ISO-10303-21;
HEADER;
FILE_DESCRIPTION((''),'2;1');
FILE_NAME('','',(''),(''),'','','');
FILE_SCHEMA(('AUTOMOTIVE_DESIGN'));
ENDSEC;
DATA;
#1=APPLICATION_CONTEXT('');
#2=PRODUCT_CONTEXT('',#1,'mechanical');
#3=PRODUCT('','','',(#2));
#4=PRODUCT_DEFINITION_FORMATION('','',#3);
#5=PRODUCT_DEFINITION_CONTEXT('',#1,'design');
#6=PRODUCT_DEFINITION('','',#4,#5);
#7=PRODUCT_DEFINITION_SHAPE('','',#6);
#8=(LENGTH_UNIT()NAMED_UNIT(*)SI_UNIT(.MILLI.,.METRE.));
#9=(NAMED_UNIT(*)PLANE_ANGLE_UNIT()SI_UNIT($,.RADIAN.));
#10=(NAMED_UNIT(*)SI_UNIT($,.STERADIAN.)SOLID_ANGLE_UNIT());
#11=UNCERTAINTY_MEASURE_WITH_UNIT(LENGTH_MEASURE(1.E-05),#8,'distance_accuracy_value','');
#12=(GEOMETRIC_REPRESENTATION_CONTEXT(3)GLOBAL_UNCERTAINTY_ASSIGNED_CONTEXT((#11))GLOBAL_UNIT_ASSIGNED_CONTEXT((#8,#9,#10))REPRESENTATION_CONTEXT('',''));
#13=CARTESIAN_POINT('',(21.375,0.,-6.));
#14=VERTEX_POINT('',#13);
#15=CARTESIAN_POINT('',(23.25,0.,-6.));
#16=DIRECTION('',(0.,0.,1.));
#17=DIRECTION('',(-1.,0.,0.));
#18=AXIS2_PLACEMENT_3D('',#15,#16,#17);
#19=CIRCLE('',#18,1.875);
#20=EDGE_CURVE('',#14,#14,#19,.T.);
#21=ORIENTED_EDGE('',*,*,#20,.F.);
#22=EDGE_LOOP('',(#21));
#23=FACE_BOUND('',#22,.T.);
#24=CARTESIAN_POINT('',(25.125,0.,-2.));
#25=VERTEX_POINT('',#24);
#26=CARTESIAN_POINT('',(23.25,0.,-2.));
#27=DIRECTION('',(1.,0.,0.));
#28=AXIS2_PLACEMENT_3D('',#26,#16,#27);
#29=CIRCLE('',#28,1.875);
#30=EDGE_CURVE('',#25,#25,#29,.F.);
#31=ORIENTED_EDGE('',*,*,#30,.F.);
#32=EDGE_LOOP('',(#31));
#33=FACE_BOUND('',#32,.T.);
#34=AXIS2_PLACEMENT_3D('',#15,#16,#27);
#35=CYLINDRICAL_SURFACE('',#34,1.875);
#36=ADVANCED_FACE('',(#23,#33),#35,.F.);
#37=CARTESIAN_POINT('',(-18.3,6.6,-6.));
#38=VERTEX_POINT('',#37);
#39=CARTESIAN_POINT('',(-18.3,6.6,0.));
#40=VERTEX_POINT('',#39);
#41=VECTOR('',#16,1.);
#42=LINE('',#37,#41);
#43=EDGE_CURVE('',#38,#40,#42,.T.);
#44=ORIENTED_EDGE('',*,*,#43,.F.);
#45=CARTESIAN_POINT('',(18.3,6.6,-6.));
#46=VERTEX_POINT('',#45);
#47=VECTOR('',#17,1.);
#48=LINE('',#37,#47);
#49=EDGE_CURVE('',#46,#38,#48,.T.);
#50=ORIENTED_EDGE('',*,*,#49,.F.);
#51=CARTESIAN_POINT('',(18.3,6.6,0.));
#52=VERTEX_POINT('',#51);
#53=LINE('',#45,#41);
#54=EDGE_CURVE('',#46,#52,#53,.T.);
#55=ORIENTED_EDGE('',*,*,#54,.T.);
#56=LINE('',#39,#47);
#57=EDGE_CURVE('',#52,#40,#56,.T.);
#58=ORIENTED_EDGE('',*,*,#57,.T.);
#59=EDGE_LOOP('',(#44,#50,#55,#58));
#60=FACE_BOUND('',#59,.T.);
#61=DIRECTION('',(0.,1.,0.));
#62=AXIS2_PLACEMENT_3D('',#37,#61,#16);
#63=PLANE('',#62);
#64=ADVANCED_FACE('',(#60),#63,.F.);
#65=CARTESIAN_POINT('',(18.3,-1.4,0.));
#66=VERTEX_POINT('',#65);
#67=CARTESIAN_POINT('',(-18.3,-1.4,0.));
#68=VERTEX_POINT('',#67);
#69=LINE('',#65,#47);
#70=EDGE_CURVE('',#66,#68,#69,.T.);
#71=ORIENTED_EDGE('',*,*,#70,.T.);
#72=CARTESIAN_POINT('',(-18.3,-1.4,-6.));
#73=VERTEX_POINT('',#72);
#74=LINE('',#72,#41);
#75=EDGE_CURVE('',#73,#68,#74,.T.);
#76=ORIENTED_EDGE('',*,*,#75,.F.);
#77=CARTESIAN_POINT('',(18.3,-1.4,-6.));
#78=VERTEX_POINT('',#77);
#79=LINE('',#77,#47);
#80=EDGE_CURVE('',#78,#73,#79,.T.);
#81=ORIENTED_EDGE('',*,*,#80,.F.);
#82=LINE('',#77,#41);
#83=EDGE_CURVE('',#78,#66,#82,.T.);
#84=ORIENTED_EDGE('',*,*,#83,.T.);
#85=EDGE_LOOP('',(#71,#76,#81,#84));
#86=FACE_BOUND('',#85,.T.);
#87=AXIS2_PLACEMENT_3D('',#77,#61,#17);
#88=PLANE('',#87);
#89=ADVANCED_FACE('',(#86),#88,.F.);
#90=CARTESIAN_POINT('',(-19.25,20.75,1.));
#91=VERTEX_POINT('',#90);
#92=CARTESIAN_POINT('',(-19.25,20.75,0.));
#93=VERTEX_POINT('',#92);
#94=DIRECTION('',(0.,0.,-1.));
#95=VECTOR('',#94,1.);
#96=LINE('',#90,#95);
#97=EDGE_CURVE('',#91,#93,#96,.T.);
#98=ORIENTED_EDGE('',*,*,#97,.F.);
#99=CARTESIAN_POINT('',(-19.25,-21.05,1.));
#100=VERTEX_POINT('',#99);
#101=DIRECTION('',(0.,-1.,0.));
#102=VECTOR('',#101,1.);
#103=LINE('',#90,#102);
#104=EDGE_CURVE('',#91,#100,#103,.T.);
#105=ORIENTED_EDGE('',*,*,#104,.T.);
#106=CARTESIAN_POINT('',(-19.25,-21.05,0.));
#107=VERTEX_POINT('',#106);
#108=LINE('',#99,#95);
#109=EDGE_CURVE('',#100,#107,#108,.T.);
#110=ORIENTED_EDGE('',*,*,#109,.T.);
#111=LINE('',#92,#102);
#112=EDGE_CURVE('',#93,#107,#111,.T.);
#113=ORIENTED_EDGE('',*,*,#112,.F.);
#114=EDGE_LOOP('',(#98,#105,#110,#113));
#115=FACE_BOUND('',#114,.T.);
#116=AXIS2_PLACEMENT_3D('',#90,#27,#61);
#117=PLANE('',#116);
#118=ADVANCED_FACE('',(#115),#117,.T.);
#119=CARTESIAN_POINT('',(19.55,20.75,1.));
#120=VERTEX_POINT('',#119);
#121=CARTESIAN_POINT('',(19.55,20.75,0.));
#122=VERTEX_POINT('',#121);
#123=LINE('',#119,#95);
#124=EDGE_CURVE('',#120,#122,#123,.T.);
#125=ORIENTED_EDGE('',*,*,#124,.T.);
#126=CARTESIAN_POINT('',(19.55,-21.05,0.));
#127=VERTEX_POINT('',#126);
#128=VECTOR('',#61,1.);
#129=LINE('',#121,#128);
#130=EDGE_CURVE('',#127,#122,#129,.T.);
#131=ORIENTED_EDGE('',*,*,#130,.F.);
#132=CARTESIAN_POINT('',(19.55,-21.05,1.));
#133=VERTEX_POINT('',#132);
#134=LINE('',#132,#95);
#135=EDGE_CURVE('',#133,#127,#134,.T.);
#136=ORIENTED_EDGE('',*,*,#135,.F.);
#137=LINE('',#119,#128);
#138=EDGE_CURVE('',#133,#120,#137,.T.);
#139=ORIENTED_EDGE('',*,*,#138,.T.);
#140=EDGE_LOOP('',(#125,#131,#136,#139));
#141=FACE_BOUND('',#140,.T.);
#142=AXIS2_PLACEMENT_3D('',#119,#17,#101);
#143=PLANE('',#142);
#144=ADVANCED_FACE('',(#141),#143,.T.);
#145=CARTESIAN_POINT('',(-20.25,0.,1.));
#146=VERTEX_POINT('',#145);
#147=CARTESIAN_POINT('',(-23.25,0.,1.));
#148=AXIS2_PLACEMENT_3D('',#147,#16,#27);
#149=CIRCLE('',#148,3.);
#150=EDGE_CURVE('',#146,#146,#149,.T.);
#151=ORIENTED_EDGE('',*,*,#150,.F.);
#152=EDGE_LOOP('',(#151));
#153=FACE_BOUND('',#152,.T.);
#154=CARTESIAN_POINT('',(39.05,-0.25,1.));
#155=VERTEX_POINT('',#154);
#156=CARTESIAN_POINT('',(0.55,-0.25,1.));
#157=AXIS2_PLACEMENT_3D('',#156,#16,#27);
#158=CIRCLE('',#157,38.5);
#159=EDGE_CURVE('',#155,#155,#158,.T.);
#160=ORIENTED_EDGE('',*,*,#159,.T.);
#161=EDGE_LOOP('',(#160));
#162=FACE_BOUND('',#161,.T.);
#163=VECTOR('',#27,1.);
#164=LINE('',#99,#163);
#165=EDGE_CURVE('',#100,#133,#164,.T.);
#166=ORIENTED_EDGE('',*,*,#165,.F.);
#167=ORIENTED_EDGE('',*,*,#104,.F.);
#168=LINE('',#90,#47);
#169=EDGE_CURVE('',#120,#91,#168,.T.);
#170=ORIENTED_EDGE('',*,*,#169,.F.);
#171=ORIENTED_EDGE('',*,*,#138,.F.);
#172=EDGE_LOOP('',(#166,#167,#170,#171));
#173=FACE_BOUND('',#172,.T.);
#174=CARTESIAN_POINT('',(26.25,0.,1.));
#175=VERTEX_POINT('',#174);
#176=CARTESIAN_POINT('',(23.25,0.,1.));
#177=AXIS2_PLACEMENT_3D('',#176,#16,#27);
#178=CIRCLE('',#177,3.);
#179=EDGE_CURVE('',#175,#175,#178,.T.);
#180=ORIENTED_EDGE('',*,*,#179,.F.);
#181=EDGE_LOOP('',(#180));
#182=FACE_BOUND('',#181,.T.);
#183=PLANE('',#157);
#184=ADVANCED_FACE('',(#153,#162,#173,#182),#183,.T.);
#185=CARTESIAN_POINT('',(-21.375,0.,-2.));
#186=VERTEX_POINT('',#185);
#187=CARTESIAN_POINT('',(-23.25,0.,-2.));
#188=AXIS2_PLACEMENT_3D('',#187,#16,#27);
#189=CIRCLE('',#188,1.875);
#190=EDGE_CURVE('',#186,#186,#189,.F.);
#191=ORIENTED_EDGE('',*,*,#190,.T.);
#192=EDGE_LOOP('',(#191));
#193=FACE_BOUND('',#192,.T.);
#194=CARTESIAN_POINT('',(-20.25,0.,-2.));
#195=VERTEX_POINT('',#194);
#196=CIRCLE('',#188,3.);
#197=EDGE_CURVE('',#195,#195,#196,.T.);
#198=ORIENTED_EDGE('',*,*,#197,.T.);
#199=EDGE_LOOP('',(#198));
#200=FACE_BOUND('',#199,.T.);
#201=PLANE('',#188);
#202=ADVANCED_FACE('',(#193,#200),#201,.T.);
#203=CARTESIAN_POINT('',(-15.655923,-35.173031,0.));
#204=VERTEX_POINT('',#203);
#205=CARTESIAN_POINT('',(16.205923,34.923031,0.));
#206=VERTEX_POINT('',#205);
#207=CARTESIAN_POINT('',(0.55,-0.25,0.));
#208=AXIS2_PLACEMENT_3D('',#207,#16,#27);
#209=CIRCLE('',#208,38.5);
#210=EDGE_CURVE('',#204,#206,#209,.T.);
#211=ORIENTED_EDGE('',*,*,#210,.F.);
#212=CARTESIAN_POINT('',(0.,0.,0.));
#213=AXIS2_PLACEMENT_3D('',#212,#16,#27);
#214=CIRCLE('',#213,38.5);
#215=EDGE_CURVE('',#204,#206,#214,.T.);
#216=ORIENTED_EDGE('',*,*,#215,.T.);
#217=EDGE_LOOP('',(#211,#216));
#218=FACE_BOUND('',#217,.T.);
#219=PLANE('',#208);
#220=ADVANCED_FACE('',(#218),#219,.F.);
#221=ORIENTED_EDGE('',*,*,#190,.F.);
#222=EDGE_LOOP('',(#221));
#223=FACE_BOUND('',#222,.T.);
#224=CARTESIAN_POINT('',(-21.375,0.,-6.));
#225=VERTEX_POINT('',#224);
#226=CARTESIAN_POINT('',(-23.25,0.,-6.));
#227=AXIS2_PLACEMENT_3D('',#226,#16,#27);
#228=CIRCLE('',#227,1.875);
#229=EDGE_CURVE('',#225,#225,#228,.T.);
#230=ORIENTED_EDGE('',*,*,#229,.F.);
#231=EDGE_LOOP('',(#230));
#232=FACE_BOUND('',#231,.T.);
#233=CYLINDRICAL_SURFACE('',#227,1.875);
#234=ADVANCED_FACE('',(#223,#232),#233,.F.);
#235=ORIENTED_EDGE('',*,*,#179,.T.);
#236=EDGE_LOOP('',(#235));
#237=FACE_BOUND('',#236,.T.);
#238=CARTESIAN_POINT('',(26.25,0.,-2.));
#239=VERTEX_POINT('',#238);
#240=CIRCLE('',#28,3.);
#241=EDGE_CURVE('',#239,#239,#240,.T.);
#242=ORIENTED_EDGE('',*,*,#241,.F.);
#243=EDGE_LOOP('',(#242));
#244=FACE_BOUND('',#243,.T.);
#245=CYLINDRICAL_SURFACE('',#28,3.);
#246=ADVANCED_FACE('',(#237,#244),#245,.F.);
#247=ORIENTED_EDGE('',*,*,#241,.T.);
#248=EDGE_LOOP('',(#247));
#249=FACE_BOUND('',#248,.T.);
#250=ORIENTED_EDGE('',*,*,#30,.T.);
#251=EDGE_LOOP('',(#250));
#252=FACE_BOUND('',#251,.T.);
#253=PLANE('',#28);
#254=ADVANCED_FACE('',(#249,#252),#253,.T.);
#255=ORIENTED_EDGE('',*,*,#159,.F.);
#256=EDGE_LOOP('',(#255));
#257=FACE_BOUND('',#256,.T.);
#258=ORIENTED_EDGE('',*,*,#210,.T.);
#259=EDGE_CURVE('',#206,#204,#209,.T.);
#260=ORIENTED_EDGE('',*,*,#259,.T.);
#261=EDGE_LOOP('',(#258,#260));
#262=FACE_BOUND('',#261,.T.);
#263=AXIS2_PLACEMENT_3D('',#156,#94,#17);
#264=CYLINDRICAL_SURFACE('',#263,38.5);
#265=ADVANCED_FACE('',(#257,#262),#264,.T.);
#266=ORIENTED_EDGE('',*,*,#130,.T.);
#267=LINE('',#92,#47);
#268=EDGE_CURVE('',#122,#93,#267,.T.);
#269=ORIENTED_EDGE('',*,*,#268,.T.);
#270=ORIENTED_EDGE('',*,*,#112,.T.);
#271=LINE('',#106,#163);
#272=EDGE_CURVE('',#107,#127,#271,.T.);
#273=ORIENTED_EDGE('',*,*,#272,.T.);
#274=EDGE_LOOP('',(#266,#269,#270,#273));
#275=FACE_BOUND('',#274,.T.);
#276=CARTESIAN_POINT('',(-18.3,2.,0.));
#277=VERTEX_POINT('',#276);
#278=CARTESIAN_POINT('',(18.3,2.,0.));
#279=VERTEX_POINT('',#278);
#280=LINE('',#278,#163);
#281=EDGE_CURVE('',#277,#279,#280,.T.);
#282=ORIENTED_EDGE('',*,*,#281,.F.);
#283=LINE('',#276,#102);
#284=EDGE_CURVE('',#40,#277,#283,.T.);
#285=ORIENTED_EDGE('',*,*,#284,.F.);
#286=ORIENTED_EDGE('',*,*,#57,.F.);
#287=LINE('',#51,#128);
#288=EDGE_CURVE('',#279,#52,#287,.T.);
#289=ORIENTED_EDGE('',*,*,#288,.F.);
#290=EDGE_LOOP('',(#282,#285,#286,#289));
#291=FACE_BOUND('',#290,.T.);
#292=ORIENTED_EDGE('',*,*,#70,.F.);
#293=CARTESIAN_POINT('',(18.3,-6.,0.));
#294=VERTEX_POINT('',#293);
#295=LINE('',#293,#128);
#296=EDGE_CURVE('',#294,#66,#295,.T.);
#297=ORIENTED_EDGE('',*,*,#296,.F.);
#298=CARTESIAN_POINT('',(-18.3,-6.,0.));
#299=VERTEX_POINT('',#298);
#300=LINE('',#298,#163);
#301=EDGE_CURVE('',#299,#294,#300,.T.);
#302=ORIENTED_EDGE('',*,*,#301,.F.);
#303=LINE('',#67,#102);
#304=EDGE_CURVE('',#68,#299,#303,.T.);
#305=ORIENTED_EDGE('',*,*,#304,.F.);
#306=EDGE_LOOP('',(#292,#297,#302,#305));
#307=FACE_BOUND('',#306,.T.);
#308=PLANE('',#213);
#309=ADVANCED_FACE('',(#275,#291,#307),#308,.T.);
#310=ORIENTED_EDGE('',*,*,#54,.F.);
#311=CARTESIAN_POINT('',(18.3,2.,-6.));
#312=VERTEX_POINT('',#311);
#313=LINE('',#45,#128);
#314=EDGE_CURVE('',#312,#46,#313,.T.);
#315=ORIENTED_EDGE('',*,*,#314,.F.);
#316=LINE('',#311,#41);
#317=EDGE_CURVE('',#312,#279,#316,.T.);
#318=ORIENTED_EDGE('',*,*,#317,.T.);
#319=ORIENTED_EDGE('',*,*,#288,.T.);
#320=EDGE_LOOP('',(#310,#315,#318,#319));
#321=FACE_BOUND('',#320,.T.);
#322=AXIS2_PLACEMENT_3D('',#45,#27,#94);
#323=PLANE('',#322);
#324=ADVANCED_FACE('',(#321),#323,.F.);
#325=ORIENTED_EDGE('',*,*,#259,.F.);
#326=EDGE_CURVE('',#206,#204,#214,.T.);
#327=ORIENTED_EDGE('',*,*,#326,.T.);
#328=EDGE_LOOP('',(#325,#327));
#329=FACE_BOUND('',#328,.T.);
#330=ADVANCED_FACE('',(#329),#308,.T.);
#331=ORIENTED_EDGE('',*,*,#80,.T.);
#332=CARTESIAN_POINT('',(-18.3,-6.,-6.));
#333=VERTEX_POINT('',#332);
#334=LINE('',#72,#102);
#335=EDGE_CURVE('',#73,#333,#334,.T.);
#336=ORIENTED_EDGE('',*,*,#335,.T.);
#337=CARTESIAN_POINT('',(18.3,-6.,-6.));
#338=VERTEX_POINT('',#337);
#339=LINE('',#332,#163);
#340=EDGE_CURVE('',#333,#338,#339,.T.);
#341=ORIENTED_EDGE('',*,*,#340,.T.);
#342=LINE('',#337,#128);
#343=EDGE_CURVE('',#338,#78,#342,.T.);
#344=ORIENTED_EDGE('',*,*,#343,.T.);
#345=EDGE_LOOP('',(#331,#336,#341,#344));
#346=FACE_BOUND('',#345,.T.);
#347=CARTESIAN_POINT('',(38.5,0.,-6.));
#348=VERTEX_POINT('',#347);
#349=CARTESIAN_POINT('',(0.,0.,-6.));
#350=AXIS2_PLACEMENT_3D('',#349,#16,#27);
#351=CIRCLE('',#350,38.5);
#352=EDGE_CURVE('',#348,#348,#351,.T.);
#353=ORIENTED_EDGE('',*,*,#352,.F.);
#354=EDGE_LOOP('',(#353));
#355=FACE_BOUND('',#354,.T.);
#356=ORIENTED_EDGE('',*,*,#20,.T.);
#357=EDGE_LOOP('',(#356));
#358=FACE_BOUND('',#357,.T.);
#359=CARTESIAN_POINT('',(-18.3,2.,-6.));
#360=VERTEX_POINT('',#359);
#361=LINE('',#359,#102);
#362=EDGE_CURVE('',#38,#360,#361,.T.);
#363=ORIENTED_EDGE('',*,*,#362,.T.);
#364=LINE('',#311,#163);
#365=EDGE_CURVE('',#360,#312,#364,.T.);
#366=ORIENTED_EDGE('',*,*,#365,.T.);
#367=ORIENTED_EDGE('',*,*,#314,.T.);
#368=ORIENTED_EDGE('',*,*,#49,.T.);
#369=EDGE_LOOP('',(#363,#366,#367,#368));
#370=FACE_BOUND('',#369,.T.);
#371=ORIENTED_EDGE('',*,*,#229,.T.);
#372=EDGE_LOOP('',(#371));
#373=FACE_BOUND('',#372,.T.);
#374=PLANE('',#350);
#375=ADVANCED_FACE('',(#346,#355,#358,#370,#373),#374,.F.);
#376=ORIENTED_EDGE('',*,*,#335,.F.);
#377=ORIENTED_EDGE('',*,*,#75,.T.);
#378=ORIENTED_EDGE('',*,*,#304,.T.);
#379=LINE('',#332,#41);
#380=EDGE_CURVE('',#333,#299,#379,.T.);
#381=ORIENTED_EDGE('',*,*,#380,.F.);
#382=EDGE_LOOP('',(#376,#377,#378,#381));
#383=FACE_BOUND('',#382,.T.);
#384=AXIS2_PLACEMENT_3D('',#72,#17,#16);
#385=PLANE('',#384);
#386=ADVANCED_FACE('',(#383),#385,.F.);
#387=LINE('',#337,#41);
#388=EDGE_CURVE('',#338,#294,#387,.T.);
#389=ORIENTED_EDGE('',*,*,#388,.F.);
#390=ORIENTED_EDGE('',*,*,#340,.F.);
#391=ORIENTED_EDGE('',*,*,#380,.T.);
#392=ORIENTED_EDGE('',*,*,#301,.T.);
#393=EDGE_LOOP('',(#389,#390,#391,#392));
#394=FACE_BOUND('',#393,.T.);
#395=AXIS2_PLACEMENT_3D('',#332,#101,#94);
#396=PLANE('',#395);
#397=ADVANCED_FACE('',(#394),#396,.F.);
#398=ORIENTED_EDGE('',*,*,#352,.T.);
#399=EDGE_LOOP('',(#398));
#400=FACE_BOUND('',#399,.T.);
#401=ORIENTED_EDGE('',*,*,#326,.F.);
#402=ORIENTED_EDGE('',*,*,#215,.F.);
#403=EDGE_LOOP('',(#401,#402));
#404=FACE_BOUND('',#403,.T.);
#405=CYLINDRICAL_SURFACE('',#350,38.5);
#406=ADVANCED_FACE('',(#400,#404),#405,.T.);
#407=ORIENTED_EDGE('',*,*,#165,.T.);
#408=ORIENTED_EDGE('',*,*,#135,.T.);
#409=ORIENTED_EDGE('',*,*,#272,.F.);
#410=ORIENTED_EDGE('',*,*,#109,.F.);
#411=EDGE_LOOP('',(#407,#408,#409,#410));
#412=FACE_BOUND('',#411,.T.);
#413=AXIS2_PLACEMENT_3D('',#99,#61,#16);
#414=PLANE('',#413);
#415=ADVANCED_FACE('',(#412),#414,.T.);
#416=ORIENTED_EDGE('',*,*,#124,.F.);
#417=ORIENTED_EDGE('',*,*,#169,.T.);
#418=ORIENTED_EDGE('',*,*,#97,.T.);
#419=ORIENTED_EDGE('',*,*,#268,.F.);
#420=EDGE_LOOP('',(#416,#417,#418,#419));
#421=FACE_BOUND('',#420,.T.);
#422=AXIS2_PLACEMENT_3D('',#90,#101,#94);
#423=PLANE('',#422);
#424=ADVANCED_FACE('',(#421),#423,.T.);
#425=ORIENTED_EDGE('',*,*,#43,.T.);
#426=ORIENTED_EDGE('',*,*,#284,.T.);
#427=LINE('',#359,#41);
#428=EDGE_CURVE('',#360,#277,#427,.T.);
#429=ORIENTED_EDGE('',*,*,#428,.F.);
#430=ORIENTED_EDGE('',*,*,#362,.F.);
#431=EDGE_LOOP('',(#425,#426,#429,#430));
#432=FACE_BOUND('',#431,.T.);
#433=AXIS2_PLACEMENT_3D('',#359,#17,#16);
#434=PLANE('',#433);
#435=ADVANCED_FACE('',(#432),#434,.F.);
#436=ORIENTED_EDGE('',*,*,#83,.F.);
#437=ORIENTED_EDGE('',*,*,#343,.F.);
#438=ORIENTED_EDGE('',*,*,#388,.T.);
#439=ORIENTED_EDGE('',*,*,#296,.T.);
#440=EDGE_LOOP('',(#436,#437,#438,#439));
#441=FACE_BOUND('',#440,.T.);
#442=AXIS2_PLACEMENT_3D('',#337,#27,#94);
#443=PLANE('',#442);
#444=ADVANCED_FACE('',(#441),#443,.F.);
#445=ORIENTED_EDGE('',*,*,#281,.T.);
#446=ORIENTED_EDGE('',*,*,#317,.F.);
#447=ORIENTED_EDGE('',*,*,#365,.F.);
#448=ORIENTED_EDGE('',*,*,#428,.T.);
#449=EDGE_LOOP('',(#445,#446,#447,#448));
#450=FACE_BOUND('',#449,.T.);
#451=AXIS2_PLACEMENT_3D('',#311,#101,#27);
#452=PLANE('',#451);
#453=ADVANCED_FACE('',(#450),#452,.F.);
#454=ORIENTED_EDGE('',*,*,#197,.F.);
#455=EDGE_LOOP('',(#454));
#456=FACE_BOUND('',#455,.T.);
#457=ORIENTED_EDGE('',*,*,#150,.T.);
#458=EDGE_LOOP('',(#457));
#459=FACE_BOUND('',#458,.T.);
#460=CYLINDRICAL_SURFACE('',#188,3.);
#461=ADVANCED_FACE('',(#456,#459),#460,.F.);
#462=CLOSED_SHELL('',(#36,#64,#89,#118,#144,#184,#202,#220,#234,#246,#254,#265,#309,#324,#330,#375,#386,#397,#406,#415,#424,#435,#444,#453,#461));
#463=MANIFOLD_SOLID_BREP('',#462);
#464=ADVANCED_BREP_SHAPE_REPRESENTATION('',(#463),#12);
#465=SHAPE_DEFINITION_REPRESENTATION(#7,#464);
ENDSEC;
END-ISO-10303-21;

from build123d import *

# Parameters (mm, degrees)
SKETCH1_R                  = 38.5
SKETCH1_R_2                = 1.875
SKETCH1_W                  = 36.6
SKETCH1_H                  = 4.6
MAIN_FLANGE_COUPLING_DEPTH = 6
SKETCH2_R                  = 38.5
SKETCH2_R_2                = 1.65
SKETCH2_W                  = 38.8
SKETCH2_H                  = 41.8
BOSS_EXTRUDE1_DEPTH        = 1
SKETCH3_R                  = 3
CUT_EXTRUDE1_DEPTH         = 3


with BuildPart() as part:
    # Sketch1 → Main Flange Coupling (new body)
    with BuildSketch(Plane.XY):
        Circle(SKETCH1_R)
        with Locations((-23.25, 0)):
            Circle(SKETCH1_R_2, mode=Mode.SUBTRACT)
        with Locations((23.25, 0)):
            Circle(SKETCH1_R_2, mode=Mode.SUBTRACT)
        with Locations((0, 4.3)):
            Rectangle(SKETCH1_W, SKETCH1_H, mode=Mode.SUBTRACT)
        with Locations((0, -3.7)):
            Rectangle(SKETCH1_W, SKETCH1_H, mode=Mode.SUBTRACT)
    extrude(amount=-MAIN_FLANGE_COUPLING_DEPTH)

    # Sketch2 → Boss-Extrude1 (add)
    with BuildSketch(Plane.XY):
        with Locations((0.55, -0.25)):
            Circle(SKETCH2_R)
        with Locations((-23.25, 0)):
            Circle(SKETCH2_R_2, mode=Mode.SUBTRACT)
        with Locations((23.25, 0)):
            Circle(SKETCH2_R_2, mode=Mode.SUBTRACT)
        with Locations((0.15, -0.15)):
            Rectangle(SKETCH2_W, SKETCH2_H, mode=Mode.SUBTRACT)
    extrude(amount=BOSS_EXTRUDE1_DEPTH)

    # Sketch3 → Cut-Extrude1 (cut)
    with BuildSketch(Plane.XY.offset(1)):
        with Locations((-23.25, 0)):
            Circle(SKETCH3_R)
        with Locations((23.25, 0)):
            Circle(SKETCH3_R)
    extrude(amount=-CUT_EXTRUDE1_DEPTH, mode=Mode.SUBTRACT)


solid = part.part
